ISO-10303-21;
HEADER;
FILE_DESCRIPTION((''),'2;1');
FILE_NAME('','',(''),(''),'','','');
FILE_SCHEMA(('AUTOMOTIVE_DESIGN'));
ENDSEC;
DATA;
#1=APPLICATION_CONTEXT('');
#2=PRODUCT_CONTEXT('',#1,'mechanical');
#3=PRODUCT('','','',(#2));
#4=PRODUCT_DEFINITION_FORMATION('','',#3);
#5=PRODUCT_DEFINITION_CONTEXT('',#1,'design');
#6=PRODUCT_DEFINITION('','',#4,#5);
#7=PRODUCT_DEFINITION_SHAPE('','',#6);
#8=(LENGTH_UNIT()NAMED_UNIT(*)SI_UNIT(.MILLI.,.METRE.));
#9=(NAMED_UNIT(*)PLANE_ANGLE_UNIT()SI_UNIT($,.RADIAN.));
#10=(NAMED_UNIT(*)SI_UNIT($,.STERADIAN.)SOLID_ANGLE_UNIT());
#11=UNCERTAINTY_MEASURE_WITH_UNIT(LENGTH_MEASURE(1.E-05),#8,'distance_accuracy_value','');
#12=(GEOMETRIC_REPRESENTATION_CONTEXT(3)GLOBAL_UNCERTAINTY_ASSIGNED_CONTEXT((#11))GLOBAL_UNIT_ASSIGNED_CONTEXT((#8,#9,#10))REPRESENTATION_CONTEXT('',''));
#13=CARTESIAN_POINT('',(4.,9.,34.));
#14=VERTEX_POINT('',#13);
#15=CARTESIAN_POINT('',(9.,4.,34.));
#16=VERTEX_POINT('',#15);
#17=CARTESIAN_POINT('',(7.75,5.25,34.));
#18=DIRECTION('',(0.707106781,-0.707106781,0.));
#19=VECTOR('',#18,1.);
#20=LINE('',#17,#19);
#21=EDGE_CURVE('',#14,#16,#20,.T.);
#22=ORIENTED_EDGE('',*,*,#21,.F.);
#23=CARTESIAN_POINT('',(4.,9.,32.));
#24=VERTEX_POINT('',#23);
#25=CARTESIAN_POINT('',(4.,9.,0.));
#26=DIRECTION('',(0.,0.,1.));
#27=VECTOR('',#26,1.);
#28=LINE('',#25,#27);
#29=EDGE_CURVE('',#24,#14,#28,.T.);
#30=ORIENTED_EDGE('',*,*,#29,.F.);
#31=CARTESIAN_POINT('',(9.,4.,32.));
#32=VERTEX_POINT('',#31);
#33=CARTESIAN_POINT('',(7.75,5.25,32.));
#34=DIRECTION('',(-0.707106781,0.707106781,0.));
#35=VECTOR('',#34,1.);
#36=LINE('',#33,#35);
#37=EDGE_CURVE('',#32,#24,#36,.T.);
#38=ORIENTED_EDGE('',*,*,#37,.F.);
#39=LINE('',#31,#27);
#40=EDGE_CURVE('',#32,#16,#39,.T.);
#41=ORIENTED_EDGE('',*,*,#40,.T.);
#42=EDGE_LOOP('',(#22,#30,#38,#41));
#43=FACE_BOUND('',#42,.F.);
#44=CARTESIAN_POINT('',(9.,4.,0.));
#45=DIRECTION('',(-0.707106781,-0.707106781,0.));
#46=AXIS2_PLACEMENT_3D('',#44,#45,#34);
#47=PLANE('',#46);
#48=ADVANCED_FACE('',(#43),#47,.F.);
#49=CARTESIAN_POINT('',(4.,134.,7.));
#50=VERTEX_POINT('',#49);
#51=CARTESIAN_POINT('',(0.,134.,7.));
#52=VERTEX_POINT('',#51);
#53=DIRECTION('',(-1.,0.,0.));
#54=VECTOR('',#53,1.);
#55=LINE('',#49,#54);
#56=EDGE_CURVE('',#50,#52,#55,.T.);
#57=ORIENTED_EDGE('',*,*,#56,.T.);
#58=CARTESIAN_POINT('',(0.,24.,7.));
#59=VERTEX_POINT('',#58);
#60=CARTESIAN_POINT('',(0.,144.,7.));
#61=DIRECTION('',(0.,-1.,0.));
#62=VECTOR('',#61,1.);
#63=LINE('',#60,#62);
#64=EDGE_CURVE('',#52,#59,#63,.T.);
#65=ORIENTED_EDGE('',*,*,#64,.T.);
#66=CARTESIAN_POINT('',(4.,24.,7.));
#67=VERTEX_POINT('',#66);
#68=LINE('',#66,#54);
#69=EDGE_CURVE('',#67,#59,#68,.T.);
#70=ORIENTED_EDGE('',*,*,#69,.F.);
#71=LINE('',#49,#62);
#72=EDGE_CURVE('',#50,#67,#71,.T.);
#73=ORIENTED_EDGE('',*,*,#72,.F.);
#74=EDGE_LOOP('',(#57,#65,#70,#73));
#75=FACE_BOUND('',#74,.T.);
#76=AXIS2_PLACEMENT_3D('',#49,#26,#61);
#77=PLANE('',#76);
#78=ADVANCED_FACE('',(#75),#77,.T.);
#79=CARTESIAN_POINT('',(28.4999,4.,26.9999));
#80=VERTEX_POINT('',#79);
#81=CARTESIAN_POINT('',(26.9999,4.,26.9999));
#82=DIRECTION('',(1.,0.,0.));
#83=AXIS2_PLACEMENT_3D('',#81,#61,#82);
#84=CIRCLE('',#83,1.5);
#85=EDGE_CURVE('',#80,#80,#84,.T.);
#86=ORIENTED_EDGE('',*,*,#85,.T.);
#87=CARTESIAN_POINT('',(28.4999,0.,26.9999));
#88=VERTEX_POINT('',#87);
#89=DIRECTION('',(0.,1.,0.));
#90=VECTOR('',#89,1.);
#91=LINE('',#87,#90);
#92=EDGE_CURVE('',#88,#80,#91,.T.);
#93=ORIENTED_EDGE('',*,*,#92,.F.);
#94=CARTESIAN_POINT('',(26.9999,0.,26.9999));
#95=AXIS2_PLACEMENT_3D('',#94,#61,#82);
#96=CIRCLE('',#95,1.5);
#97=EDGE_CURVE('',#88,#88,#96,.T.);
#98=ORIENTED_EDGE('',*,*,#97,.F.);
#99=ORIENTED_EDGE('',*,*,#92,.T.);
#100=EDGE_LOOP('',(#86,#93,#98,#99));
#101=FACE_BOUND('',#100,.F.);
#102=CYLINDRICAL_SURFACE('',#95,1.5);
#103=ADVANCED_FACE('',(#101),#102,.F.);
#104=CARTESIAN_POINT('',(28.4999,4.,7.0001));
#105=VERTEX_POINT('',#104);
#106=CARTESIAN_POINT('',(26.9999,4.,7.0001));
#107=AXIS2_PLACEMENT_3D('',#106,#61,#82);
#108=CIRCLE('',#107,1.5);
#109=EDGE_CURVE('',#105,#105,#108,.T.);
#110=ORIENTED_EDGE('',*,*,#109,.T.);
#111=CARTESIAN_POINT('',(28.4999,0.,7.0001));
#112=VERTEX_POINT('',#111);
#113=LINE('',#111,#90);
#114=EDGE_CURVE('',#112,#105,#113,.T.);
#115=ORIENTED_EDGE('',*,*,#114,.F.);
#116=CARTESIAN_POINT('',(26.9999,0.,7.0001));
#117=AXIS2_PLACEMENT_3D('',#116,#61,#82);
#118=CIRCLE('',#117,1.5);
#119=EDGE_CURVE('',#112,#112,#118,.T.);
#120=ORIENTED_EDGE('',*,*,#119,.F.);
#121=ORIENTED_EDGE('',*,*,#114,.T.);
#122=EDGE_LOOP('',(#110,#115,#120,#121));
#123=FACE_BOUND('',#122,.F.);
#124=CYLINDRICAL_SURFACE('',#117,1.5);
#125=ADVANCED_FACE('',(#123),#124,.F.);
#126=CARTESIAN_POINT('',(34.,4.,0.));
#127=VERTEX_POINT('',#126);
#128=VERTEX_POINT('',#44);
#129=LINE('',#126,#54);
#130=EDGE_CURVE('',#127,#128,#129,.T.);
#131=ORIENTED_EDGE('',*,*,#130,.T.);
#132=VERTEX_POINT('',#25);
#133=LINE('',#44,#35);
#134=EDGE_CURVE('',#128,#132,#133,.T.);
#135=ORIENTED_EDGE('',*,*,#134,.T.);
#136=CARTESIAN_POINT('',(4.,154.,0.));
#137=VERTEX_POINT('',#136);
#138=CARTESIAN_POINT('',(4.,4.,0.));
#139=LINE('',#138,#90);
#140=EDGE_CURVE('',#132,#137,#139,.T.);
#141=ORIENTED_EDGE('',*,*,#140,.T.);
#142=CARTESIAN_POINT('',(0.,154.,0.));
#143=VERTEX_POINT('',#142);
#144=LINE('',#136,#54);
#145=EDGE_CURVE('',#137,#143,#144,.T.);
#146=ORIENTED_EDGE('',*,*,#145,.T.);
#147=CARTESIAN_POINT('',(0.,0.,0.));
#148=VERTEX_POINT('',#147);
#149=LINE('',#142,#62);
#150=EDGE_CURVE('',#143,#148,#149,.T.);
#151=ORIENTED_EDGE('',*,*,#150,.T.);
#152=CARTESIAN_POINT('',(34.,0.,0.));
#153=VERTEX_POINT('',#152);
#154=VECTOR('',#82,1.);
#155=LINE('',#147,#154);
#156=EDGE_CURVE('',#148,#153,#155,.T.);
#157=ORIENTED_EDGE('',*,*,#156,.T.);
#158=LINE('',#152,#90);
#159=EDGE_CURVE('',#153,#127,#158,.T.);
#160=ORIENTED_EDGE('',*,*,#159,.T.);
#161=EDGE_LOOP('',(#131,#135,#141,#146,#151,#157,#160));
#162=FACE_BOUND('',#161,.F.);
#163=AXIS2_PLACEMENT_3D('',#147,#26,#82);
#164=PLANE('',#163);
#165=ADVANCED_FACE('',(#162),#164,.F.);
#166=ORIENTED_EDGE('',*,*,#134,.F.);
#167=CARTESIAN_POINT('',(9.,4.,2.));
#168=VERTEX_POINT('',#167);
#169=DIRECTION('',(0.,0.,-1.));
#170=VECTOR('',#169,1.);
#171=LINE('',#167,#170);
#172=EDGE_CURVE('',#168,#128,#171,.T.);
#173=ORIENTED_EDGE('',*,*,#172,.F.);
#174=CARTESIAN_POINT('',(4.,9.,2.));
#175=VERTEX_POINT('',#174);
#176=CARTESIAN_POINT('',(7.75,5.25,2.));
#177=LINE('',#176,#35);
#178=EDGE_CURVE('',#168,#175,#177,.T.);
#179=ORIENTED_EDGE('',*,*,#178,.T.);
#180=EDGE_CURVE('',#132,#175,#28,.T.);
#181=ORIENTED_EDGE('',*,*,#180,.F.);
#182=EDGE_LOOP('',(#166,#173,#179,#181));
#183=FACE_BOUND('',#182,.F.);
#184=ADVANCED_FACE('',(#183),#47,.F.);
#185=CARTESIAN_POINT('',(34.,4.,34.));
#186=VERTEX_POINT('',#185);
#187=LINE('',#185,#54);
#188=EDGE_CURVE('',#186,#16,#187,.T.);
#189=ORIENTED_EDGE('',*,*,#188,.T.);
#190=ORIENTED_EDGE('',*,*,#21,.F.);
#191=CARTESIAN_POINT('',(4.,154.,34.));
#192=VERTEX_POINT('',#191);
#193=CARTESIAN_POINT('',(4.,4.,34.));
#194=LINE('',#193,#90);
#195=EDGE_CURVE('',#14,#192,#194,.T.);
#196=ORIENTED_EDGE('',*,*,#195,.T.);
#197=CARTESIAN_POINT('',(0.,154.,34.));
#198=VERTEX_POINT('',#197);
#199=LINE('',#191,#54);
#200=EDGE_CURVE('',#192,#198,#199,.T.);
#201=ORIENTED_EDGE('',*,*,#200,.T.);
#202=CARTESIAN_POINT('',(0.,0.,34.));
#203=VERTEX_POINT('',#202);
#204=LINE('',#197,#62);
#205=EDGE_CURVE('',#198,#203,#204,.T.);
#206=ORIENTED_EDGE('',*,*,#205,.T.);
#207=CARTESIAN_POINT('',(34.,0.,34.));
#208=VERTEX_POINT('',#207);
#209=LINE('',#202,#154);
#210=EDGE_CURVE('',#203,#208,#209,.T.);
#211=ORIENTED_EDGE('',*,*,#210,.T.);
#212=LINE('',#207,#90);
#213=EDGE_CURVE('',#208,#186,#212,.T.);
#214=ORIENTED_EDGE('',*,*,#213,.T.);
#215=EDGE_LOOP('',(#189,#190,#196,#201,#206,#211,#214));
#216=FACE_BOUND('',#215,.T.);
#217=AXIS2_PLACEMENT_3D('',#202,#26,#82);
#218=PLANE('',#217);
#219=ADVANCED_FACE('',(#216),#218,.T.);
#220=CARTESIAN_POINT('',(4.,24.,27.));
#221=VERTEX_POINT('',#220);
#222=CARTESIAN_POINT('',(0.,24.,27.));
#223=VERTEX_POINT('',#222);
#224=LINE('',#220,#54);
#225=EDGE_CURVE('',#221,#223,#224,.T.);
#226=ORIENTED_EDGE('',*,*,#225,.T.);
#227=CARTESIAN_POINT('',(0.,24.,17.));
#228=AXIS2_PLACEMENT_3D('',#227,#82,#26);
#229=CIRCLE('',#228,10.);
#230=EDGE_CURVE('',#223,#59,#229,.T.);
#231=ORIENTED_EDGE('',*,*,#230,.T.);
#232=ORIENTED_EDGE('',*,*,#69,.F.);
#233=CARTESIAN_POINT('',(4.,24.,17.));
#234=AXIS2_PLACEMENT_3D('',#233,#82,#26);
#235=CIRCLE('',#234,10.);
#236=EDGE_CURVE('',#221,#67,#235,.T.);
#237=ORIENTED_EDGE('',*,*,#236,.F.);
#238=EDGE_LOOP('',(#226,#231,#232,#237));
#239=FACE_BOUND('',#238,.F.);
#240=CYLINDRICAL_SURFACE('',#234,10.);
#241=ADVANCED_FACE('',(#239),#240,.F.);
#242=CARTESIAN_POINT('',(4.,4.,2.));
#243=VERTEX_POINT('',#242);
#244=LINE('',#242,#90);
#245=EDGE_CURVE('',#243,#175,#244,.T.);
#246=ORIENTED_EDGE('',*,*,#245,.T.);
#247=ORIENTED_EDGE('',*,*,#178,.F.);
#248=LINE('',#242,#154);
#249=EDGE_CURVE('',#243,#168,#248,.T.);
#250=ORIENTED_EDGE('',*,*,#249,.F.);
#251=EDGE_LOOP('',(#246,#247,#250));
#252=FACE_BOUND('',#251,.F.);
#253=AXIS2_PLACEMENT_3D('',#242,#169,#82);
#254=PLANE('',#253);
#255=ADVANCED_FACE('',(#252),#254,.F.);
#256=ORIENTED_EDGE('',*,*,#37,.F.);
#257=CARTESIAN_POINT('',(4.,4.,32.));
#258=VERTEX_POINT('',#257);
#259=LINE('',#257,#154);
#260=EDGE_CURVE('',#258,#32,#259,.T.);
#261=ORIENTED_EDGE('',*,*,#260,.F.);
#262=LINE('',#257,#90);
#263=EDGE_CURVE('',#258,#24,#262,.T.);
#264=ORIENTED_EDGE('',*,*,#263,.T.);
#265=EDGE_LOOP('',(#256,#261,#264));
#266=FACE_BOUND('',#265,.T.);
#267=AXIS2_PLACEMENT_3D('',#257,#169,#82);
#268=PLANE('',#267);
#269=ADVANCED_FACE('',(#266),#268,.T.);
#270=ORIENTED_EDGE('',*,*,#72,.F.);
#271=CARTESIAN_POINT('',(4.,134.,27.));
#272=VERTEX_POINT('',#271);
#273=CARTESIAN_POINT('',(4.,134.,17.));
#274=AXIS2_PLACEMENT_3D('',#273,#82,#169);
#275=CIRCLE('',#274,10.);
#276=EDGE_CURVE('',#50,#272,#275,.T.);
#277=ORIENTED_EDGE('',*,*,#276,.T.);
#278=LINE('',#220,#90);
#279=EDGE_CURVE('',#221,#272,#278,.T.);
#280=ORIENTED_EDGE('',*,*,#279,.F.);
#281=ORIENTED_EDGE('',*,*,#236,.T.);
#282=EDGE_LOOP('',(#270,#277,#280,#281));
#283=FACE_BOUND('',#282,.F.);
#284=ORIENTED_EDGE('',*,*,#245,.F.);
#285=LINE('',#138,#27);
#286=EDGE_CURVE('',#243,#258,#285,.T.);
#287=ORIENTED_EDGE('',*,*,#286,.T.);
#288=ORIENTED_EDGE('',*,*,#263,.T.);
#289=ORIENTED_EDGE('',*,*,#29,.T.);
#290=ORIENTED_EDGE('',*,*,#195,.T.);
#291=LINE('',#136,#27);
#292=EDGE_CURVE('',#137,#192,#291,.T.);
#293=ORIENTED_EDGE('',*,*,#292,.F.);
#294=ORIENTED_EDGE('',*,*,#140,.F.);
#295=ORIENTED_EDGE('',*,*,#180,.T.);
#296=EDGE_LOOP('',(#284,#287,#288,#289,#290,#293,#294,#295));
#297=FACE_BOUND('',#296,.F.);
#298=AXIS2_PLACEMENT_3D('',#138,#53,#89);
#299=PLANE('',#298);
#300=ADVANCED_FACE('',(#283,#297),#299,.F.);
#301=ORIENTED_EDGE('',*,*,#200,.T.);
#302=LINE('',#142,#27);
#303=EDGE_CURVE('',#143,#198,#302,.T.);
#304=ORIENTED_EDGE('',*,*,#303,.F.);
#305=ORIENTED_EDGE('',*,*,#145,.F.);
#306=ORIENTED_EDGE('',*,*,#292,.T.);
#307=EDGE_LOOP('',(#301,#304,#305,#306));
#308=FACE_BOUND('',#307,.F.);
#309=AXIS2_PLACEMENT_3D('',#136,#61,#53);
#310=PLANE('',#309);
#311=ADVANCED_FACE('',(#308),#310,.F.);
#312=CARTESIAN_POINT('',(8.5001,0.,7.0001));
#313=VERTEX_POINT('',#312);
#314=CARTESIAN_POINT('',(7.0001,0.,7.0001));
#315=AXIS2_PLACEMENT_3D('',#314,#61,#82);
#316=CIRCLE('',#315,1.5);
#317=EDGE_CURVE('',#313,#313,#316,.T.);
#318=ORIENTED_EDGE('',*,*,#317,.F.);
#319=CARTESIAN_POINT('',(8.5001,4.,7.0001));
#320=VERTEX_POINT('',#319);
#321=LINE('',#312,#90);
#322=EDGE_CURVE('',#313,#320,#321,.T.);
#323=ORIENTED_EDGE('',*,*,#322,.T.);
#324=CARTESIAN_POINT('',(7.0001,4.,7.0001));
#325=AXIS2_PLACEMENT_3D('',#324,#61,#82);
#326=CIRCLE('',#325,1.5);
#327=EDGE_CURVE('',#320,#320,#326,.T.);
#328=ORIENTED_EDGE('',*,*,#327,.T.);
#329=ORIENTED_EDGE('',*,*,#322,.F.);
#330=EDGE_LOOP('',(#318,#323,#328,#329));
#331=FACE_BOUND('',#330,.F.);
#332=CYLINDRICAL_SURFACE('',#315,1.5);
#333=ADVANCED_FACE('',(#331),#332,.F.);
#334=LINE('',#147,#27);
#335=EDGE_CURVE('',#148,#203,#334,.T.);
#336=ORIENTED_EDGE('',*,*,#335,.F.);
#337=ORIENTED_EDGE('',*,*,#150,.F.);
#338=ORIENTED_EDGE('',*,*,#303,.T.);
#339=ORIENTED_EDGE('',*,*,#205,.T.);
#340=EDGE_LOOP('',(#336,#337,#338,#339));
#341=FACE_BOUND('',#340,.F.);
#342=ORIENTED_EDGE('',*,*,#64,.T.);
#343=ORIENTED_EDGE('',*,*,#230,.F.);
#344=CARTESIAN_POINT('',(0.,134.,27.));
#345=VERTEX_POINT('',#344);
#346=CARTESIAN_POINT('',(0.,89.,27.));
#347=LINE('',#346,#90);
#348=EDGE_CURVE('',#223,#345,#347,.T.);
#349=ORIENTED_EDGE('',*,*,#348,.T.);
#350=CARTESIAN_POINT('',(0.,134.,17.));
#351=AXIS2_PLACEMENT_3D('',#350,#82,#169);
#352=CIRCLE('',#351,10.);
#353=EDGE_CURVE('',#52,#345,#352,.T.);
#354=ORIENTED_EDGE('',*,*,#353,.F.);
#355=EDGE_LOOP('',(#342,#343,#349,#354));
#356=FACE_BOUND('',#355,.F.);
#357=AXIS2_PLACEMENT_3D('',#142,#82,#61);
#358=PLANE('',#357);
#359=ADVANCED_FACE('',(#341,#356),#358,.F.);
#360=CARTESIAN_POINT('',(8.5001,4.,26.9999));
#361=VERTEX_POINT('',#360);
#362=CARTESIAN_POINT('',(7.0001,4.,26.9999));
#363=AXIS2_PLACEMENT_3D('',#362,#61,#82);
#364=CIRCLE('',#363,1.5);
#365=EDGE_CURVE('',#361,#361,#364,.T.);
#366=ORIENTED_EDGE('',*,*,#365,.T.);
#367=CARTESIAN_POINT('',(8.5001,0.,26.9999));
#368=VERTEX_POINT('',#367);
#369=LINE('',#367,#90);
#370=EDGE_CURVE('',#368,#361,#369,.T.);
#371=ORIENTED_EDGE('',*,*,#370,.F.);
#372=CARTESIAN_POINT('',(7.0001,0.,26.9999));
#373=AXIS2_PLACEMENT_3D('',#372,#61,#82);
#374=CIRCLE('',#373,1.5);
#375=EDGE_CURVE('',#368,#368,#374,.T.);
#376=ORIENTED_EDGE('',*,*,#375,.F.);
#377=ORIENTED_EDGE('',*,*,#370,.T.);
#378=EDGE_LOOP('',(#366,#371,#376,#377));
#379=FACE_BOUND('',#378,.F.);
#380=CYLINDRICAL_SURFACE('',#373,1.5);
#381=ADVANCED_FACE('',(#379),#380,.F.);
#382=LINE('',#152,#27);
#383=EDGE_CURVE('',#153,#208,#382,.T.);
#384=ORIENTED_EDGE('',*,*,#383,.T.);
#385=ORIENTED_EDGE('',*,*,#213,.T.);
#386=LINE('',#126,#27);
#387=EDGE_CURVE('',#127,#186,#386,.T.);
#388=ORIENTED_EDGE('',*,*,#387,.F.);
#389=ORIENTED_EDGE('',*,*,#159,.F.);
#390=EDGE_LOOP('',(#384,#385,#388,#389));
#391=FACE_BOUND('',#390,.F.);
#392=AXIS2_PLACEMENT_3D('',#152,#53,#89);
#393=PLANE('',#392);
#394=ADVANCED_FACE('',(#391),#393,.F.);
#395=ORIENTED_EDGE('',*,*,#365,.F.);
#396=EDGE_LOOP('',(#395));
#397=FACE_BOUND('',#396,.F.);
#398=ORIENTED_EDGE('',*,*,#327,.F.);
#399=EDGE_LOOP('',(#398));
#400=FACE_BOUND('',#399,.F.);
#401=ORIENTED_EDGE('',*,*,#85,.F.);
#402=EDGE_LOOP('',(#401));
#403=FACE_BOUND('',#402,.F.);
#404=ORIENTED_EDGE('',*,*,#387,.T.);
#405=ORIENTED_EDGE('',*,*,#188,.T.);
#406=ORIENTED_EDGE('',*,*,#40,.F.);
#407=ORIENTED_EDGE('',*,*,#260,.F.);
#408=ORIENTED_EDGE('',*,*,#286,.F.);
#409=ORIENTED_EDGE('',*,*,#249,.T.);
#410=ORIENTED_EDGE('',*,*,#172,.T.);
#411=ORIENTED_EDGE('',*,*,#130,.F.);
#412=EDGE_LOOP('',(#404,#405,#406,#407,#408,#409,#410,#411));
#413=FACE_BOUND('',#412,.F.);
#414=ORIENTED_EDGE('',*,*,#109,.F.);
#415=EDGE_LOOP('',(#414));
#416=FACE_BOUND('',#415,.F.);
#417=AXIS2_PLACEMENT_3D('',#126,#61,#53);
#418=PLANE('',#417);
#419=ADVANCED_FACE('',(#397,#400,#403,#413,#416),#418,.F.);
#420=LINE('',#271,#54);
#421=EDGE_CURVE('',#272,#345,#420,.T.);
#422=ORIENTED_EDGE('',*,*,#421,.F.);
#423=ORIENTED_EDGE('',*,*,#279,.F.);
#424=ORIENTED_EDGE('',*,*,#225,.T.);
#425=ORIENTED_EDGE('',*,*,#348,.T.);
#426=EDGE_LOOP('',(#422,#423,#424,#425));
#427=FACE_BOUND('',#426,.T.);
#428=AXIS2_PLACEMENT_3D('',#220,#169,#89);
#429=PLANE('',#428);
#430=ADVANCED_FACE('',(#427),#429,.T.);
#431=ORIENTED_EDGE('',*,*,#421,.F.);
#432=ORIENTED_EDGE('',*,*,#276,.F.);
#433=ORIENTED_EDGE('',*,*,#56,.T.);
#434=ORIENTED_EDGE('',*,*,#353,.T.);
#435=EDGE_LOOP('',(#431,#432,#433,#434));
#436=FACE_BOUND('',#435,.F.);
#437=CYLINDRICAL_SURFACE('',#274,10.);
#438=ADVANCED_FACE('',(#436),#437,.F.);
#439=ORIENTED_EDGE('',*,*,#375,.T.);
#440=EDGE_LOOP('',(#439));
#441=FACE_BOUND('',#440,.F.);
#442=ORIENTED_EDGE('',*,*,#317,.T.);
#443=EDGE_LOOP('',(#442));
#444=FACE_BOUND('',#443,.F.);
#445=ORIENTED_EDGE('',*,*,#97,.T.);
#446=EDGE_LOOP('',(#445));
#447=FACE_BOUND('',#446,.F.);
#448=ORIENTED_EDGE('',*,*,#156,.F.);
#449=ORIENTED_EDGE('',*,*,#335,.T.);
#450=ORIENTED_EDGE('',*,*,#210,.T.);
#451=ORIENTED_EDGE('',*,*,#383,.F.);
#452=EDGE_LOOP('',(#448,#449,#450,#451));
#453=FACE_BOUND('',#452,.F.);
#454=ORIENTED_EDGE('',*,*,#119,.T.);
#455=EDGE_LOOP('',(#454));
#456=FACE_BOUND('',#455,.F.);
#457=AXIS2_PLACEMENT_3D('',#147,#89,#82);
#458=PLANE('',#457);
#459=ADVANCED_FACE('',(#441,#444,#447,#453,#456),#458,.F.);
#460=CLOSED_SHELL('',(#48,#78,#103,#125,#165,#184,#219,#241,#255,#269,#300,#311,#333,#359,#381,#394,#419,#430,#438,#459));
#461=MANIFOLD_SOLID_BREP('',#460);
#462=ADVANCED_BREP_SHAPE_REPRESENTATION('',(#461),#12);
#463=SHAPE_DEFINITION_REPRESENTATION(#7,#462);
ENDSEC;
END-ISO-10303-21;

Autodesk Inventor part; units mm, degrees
sketch "Sketch1" plane through (0, 0, 0) normal (0, 0, 1) x (1, 0, 0)
  line L0 (0, 0) -> (34, 0)
  line L1 (34, 0) -> (34, 4)
  line L2 (34, 4) -> (4, 4)
  line L3 (4, 4) -> (4, 154)
  line L4 (4, 154) -> (0, 154)
  line L5 (0, 154) -> (0, 0)
  dimension "d2" = 34
  dimension "d3" = 4
  dimension "d4" = 30
  dimension "d5" = 150
  dimension "d6" = 4
extrude "Extrusion1" add sketch "Sketch1" along normal blind 34
sketch "Sketch3" plane through (4, 4, 0) normal (1, 0, 0) x (0, 0, -1)
  line L0 (0, 0) -> (-34, 0) projected
  line L1 (0, 150) -> (-34, 150) projected
  arc A0 (-27, 20) -> (-7, 20) centre (-17, 20) ccw
  arc A1 (-7, 130) -> (-27, 130) centre (-17, 130) ccw
  line L2 (-27, 20) -> (-27, 130)
  line L3 (-7, 130) -> (-7, 20)
  point P0 (0, -4)
extrude "Extrusion3" cut sketch "Sketch3" against normal blind 20
sketch "Sketch4" plane through (0, 0, 0) normal (0, -1, 0) x (1, 0, 0)
  line L0 (0, 0) -> (34, 0) projected
  line L1 (34, 0) -> (34, 34) projected
  line L2 (0, 34) -> (34, 34) projected
  line L3 (0, 0) -> (0, 34) projected
  line L4 (4, 34) -> (0, 34) projected
  line L5 (34, 0) -> (34, 34) projected
  circle A0 centre (26.9999, 26.9999) radius 1.5
  circle A1 centre (26.9999, 7.0001) radius 1.5
  circle A2 centre (7.0001, 26.9999) radius 1.5
  circle A3 centre (7.0001, 7.0001) radius 1.5
  dimension "d28" = 3
  dimension "d29" = 3
  dimension "d30" = 3
  dimension "d31" = 3
extrude "Extrusion4" cut sketch "Sketch4" against normal blind 10 contours A0 | A1 | A2 | A3
sketch "Sketch5" plane through (4, 4, 0) normal (0, 1, 0) x (1, 0, 0)
  line L0 (0, 0) -> (0, -34) projected
  line L1 (36.8, 0) -> (-10.8, 0) projected
  line L2 (30, 0) -> (0, 0) projected
  line L3 (0, 0) -> (0, -2)
  line L4 (0, 0) -> (0, -34) projected
  line L5 (0, -2) -> (5, -2)
  line L6 (5, -2) -> (5, 0)
  line L7 (30, -34) -> (0, -34) projected
  line L8 (0, -34) -> (0, -32)
  line L9 (0, -32) -> (5, -32)
  line L10 (5, -32) -> (5, -34)
  line L11 (5, -34) -> (0, -34)
  point P0 (-4, 0)
  dimension "d34" = 2
  dimension "d35" = 5
  dimension "d36" = 2
  dimension "d37" = 5
extrude "Extrusion5" add sketch "Sketch5" along normal blind 5
sketch "Sketch6" plane through (0, 0, 0) normal (0, 0, -1) x (-1, 0, 0)
  line L0 (-34, 0) -> (-34, 4) projected
  line L1 (0, 0) -> (-34, 0) projected
  line L2 (0, 154) -> (0, 0) projected
  line L3 (-4, 154) -> (0, 154) projected
  line L4 (-4, 9) -> (-4, 154) projected
  line L5 (-9, 9) -> (-4, 9) projected
  line L6 (-9, 4) -> (-9, 9) projected
  line L7 (-34, 4) -> (-9, 4) projected
  line L8 (-4, 9) -> (-4, 4) projected
  line L9 (-9, 4) -> (-4, 9)
  line L10 (-4, 9) -> (-9, 9) projected
  line L11 (-4, 9) -> (-9, 9)
  line L12 (-9, 4) -> (-9, 9) projected
  line L13 (-9, 9) -> (-9, 4)
extrude "Extrusion6" cut sketch "Sketch6" against normal blind 4000 contours L6 L5 L9
properties part number "IDOM_infrared_fixture2"
